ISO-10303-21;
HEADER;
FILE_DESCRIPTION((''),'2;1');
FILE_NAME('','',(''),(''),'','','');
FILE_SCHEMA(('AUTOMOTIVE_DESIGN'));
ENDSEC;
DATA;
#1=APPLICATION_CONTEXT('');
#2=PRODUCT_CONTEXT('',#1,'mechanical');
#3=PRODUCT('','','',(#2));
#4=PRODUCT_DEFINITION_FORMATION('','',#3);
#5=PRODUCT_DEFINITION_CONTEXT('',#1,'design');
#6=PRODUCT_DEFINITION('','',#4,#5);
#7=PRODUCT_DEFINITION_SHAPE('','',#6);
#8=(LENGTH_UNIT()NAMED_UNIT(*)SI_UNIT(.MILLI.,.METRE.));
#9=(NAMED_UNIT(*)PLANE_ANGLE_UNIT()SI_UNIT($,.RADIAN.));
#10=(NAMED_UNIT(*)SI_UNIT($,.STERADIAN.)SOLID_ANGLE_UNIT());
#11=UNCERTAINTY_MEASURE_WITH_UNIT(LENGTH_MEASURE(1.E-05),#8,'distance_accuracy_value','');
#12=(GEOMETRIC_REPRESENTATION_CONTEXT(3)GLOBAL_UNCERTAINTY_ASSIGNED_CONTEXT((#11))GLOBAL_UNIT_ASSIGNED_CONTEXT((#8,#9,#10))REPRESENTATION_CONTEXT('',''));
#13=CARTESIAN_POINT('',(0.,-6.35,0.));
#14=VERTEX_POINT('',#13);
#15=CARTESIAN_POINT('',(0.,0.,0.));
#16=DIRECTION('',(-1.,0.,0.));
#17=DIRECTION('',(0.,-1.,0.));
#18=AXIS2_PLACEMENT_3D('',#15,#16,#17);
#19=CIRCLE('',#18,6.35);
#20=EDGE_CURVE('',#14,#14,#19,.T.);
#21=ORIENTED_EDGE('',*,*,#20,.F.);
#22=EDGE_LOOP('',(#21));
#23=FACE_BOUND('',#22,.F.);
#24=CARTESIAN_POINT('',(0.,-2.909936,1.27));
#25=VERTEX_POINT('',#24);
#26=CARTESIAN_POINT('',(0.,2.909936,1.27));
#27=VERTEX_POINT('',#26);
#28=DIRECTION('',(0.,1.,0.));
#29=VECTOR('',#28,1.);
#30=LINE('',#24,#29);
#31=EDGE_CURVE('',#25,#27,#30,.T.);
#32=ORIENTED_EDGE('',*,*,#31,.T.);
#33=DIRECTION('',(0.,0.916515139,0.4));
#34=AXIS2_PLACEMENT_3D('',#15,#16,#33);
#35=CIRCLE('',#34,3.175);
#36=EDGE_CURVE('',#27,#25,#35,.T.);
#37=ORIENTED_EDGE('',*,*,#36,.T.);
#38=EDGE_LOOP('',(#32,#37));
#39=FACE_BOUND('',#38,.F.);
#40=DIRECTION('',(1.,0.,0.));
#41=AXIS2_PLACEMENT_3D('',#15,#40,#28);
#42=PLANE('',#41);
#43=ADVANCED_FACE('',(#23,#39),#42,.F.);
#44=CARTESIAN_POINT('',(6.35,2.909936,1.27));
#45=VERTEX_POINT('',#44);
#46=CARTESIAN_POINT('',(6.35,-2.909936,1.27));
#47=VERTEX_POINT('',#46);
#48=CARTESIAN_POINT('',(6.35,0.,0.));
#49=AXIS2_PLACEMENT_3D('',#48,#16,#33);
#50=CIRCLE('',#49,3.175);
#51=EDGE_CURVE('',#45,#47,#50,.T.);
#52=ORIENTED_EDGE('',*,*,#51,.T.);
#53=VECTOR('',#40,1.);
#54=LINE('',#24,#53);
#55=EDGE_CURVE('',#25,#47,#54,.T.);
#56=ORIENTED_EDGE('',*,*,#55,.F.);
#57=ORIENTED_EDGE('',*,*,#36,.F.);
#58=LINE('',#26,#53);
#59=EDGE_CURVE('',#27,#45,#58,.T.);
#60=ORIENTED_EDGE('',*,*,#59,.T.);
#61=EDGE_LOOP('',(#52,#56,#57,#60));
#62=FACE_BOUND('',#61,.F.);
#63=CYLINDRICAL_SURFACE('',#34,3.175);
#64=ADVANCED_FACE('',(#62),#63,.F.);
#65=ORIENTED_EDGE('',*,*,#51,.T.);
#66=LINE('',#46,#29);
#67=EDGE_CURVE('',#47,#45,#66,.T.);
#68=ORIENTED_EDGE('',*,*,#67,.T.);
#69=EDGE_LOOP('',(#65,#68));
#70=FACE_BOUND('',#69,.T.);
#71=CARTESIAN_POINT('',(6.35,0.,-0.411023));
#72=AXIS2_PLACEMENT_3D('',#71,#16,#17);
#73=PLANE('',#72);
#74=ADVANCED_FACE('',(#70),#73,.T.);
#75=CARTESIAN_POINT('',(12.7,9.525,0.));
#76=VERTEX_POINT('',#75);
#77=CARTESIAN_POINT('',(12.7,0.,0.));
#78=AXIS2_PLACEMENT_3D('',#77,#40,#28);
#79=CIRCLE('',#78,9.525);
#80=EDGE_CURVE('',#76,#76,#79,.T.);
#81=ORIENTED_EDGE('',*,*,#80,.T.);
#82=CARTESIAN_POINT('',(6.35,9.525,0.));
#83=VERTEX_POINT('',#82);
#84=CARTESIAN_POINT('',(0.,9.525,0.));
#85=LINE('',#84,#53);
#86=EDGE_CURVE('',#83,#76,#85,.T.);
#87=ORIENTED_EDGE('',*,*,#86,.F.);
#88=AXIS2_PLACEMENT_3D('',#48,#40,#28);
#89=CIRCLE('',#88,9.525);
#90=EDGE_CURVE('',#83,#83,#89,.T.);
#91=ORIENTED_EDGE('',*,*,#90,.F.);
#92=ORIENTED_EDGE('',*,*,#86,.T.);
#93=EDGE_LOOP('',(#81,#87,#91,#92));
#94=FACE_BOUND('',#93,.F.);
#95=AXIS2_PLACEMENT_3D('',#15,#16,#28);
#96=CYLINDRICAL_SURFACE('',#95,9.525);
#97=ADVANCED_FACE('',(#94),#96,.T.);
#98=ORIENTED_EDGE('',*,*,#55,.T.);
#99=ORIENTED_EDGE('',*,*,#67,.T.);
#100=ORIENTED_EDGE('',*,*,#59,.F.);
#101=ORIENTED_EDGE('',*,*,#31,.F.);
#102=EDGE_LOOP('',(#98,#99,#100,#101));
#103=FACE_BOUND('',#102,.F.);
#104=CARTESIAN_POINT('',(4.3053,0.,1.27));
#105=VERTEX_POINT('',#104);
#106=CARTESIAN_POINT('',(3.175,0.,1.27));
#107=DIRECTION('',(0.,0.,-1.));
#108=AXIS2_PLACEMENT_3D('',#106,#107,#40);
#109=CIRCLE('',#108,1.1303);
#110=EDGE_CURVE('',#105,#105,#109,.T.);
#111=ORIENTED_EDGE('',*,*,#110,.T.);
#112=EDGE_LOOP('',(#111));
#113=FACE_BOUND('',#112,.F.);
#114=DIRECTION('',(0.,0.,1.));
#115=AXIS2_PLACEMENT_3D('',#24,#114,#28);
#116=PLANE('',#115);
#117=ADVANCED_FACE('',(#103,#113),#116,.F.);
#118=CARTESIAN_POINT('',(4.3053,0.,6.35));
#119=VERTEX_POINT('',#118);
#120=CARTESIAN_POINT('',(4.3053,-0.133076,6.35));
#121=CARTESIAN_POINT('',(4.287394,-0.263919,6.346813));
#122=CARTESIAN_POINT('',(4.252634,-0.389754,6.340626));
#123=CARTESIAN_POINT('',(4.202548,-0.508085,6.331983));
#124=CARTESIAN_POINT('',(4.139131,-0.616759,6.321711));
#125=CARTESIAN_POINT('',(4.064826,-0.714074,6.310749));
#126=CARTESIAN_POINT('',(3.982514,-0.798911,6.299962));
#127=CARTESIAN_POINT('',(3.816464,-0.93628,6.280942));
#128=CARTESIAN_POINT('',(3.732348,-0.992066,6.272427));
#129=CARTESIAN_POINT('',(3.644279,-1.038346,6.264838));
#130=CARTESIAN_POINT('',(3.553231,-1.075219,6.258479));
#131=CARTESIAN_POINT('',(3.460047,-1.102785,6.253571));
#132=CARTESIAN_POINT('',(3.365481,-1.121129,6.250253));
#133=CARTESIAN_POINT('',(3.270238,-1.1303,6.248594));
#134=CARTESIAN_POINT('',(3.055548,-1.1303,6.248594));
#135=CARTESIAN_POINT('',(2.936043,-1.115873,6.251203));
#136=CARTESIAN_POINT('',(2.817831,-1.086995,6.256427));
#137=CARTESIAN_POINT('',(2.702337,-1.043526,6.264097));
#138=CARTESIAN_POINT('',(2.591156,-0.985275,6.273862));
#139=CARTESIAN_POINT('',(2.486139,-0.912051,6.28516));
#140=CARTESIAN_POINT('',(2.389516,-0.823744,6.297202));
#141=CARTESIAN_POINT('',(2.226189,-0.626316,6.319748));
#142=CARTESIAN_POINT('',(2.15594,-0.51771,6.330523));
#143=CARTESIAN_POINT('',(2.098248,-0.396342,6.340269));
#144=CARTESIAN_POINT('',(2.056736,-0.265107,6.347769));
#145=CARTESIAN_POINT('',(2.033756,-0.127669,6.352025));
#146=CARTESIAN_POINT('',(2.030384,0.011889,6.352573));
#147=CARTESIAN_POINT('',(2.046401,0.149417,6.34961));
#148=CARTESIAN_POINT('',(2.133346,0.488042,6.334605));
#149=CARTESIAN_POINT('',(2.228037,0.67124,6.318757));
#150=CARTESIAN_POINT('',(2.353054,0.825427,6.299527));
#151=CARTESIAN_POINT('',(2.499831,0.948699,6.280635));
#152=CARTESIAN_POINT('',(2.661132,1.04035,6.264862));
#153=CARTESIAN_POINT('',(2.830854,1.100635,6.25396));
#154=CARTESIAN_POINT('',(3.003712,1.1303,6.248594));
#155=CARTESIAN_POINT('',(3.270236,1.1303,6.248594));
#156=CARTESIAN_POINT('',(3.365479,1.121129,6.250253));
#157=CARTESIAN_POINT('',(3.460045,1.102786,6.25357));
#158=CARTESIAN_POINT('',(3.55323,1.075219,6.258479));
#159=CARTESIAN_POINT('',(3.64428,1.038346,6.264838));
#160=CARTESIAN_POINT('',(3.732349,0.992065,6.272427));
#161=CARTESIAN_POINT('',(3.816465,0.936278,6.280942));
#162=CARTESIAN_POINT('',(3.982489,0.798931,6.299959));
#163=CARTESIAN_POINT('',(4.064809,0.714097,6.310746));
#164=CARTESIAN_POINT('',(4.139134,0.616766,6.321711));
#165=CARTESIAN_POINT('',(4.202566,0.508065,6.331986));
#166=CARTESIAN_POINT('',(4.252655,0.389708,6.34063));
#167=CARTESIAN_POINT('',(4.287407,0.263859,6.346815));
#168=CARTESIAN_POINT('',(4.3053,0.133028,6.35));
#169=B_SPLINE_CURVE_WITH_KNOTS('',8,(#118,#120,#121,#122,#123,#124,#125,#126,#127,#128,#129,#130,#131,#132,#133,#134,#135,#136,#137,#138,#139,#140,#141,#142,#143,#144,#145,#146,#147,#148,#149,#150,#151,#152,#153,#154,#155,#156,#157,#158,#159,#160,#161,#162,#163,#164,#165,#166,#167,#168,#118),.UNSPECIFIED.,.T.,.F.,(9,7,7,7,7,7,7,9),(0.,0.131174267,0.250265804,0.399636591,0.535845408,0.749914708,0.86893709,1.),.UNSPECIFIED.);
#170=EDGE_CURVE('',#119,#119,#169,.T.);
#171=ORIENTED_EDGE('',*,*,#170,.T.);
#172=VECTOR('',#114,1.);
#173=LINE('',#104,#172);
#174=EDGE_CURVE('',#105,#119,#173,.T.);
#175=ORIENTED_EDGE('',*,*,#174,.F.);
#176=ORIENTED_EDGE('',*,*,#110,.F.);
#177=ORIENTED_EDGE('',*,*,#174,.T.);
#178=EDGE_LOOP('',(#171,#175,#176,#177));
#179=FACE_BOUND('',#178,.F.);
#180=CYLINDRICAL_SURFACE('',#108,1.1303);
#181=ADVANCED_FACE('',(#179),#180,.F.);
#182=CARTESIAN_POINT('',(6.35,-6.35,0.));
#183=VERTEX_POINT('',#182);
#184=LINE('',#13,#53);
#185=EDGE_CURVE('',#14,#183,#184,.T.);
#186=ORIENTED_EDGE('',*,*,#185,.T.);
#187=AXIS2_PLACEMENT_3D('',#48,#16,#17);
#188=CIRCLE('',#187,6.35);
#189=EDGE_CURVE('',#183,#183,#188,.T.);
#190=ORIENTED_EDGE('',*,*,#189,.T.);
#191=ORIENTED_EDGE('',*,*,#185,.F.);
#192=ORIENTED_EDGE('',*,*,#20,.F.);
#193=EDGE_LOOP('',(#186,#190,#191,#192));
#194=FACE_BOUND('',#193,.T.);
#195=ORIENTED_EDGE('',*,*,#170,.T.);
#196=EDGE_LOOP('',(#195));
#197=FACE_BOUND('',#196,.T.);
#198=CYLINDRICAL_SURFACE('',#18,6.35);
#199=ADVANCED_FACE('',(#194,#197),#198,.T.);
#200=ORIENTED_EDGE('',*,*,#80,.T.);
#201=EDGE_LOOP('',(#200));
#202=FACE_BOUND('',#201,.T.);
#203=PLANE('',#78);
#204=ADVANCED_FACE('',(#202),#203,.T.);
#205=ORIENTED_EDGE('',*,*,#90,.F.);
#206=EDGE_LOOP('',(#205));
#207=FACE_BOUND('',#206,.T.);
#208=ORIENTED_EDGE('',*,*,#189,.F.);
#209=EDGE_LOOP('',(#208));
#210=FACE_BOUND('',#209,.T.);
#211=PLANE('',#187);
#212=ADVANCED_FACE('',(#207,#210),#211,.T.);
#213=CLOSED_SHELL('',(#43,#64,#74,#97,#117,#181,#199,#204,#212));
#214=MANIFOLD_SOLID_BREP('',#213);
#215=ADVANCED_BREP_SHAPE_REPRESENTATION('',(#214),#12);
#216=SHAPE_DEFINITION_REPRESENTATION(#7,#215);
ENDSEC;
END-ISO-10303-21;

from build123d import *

# Parameters (mm, degrees)
F0_R     = 9.525
F1_DEPTH = 12.7
F2_R     = 9.525
F2_R_2   = 6.35
F3_DEPTH = 6.35
F5_DEPTH = 6.35
F7_D     = 2.2606
F7_DEPTH = 8.256


with BuildPart() as f1:
    # F0 (on Right) → F1 (new body)
    with BuildSketch(Plane.YZ):
        Circle(F0_R)
    extrude(amount=F1_DEPTH)

    # F2 (on face) → F3 (cut)
    with BuildSketch(Plane(origin=(0, 0, 0), x_dir=(0, -1, 0), z_dir=(-1, 0, 0))):
        Circle(F2_R)
        Circle(F2_R_2, mode=Mode.SUBTRACT)
    extrude(amount=-F3_DEPTH, mode=Mode.SUBTRACT)

    # F4 (on face) → F5 (cut)
    with BuildSketch(Plane(origin=(0, 0, 0), x_dir=(0, -1, 0), z_dir=(-1, 0, 0))):
        with BuildLine():
            Line((2.9099355663, 1.27), (-2.9099355663, 1.27))
            ThreePointArc((-2.9099355663, 1.27), (0, -3.175), (2.9099355663, 1.27))
        make_face()
    extrude(amount=-F5_DEPTH, mode=Mode.SUBTRACT)

    # F7 (through all, one way)
    with BuildSketch(Plane(origin=(0, 0, 1.27), x_dir=(1, 0, 0), z_dir=(0, 0, -1))):
        with Locations((3.175, 0)):
            Circle(F7_D / 2)
    extrude(amount=-F7_DEPTH, mode=Mode.SUBTRACT)


solid = f1.part
